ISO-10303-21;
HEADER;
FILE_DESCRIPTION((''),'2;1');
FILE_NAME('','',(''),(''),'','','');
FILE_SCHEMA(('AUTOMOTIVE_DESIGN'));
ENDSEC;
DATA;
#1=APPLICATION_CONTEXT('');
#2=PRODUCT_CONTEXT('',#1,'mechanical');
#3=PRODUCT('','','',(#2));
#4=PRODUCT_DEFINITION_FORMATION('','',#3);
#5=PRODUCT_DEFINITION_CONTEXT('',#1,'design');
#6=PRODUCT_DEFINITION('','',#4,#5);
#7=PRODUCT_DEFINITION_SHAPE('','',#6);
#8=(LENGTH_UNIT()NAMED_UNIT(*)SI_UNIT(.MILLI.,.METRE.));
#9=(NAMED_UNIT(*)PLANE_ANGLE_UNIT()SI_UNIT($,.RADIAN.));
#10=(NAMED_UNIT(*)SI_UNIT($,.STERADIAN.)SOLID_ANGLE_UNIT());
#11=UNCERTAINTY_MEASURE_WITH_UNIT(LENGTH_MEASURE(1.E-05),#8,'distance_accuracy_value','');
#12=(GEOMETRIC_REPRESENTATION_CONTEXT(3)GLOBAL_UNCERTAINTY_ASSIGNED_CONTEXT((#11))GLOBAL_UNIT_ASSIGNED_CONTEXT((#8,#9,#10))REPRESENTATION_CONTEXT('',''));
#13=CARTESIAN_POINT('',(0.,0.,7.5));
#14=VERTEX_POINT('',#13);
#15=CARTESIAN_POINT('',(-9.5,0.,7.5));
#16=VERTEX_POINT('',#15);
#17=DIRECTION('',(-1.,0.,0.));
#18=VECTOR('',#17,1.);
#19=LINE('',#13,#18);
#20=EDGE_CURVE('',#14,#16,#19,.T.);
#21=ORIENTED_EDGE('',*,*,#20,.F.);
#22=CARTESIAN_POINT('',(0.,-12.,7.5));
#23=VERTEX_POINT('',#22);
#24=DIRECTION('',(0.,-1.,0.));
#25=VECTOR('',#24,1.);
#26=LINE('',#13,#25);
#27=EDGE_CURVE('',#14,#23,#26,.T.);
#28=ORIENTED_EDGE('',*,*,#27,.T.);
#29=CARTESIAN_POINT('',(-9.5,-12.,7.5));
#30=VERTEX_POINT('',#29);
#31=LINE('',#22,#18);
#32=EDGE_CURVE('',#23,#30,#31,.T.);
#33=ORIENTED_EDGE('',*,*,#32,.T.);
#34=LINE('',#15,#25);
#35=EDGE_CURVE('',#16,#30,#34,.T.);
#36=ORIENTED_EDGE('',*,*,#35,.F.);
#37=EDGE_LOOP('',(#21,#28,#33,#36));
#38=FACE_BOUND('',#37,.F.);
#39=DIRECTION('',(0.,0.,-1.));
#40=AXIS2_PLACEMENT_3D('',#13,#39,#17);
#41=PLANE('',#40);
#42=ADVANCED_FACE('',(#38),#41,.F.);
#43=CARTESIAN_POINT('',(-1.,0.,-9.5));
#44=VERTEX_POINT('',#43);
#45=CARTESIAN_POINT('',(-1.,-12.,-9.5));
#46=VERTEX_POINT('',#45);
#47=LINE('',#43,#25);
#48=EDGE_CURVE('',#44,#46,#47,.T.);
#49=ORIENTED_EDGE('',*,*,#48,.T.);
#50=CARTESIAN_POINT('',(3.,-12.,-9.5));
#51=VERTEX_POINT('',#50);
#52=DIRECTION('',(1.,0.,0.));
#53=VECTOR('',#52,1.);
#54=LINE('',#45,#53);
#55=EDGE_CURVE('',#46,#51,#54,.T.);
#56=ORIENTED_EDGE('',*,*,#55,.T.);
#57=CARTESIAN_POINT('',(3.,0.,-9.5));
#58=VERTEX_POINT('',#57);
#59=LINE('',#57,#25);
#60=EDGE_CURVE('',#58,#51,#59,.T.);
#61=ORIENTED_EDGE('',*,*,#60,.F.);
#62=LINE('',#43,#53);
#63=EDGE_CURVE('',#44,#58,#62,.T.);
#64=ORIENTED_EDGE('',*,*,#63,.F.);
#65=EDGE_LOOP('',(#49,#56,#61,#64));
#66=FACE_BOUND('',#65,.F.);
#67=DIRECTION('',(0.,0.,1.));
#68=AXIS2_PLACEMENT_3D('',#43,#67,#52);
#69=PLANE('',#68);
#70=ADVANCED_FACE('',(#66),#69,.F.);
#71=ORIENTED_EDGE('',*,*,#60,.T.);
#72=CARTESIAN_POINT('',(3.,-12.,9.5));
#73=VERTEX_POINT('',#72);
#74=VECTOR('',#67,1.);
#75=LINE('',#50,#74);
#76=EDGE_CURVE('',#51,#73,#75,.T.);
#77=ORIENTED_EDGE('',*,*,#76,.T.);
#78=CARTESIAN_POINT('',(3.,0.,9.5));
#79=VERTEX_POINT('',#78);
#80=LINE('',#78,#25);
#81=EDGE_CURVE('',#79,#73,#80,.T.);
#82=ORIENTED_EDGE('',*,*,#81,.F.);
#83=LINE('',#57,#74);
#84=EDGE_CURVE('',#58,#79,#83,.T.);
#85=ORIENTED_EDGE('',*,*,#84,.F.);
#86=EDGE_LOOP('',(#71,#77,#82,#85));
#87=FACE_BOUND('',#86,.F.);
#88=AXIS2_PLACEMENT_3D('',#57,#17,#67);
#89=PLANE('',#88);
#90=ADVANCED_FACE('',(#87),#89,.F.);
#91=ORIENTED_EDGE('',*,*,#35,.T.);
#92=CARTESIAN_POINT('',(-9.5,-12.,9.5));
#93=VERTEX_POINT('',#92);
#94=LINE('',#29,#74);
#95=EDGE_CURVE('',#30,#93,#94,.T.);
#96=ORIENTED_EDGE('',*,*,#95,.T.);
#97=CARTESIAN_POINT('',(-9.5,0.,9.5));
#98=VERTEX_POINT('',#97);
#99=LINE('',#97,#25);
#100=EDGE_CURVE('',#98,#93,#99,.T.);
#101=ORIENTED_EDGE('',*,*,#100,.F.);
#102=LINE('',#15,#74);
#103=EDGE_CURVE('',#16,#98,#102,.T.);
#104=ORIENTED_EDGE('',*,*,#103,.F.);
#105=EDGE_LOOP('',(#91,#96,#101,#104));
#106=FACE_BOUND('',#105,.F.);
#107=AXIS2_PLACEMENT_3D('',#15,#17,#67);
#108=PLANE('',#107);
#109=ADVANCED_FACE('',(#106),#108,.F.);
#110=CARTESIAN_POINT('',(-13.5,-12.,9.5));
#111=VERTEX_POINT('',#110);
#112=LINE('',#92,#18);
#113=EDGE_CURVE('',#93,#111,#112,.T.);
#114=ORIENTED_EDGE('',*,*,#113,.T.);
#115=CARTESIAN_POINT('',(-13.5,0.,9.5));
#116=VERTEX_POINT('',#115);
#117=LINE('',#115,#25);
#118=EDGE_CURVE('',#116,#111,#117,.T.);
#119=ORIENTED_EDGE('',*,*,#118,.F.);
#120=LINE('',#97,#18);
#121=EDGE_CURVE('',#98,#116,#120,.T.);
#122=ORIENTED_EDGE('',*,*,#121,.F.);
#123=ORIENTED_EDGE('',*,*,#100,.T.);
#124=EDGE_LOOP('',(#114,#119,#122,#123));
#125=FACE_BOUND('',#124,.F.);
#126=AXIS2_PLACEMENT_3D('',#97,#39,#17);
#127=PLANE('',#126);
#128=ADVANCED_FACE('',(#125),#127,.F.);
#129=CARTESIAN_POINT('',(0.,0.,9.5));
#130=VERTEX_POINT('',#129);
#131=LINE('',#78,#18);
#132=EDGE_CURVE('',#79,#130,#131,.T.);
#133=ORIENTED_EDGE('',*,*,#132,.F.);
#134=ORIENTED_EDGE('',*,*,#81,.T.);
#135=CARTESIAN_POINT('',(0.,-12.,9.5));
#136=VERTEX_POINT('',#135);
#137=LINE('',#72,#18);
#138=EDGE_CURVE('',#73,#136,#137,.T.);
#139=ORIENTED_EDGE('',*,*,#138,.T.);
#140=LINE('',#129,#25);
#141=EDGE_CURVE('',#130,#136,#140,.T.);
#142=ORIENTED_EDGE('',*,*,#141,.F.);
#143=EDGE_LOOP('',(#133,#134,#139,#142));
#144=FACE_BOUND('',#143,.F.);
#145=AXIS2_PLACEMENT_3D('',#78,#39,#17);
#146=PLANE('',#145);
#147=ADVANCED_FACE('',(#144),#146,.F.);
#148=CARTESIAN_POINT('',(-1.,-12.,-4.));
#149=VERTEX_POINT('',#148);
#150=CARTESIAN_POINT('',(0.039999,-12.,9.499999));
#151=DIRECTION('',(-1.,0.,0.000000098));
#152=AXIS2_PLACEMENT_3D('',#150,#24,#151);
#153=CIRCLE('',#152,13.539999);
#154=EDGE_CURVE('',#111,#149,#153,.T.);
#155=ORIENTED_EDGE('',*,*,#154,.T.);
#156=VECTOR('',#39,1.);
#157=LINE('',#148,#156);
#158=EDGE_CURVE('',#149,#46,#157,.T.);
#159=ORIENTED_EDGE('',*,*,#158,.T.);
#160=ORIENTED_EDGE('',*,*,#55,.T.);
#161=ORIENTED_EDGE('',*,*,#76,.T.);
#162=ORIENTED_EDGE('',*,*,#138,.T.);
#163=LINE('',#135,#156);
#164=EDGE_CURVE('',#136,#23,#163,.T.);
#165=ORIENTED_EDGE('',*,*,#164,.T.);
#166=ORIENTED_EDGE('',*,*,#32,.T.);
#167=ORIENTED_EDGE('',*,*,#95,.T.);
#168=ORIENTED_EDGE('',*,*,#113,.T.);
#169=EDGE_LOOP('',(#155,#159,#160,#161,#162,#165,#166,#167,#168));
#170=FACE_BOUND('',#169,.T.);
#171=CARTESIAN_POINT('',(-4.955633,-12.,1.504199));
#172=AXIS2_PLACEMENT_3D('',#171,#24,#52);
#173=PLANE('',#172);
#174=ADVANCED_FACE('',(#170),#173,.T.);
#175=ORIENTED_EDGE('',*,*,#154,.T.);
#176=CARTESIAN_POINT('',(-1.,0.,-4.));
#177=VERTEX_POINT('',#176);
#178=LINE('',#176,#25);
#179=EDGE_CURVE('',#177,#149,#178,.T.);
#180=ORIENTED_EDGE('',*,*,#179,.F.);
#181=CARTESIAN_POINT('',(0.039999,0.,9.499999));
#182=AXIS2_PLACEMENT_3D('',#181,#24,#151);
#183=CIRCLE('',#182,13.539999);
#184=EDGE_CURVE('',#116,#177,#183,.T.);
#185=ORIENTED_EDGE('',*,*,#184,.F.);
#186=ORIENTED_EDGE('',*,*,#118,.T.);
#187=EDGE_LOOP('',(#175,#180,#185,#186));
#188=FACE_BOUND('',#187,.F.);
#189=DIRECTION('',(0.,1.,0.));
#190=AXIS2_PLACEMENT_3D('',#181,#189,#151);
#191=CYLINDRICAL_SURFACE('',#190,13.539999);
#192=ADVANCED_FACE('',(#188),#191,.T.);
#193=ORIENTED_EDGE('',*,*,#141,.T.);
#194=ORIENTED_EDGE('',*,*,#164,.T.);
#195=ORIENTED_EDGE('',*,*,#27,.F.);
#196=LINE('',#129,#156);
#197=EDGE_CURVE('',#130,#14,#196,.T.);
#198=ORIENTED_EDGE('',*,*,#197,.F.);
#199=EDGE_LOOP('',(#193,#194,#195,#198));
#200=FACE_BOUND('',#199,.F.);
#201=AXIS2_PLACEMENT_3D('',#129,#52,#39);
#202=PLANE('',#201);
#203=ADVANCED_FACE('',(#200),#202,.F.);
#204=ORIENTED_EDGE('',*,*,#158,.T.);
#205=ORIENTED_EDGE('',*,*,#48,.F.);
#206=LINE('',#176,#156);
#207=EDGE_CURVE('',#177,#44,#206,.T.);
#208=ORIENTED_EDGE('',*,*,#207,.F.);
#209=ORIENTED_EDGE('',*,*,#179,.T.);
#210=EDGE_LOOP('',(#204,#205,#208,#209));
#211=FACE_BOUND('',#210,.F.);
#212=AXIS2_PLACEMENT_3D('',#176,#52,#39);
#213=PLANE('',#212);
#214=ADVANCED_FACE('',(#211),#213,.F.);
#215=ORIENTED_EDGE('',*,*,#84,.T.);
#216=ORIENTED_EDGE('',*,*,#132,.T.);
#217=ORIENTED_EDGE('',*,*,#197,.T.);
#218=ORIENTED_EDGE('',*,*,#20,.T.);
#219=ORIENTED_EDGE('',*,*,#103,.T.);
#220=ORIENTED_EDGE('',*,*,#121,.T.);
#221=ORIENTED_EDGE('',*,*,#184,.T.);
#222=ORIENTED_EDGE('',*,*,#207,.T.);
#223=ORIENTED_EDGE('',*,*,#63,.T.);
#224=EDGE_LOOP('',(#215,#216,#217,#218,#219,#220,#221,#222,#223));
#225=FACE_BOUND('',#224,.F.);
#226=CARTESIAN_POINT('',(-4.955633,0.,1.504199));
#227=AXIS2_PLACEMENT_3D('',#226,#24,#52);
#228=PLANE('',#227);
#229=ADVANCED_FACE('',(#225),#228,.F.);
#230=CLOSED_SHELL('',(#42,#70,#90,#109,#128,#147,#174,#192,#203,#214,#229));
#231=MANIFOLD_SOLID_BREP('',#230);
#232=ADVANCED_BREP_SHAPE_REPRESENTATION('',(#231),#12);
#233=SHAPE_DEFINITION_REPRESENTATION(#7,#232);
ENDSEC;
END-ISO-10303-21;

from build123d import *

# Parameters (mm, degrees)
F1_DEPTH = 12


with BuildPart() as f1:
    # F0 (on Front) → F1 (new body)
    with BuildSketch(Plane.XZ):
        with BuildLine():
            Line((0, -9.5), (0, 7.5))
            Line((0, 7.5), (-9.5, 7.5))
            Line((-9.5, 7.5), (-9.5, 9.5))
            Line((-9.5, 9.5), (-13.5, 9.5))
            ThreePointArc((-13.5, 9.5), (-9.89512, 0.300815), (-1, -4))
            Line((-1, -4), (-1, -9.5))
            Line((-1, -9.5), (0, -9.5))
        make_face()
        Polygon((3, 9.5), (0, 9.5), (0, 7.5), (0, -9.5), (3, -9.5), align=None)
    extrude(amount=F1_DEPTH)


solid = f1.part
